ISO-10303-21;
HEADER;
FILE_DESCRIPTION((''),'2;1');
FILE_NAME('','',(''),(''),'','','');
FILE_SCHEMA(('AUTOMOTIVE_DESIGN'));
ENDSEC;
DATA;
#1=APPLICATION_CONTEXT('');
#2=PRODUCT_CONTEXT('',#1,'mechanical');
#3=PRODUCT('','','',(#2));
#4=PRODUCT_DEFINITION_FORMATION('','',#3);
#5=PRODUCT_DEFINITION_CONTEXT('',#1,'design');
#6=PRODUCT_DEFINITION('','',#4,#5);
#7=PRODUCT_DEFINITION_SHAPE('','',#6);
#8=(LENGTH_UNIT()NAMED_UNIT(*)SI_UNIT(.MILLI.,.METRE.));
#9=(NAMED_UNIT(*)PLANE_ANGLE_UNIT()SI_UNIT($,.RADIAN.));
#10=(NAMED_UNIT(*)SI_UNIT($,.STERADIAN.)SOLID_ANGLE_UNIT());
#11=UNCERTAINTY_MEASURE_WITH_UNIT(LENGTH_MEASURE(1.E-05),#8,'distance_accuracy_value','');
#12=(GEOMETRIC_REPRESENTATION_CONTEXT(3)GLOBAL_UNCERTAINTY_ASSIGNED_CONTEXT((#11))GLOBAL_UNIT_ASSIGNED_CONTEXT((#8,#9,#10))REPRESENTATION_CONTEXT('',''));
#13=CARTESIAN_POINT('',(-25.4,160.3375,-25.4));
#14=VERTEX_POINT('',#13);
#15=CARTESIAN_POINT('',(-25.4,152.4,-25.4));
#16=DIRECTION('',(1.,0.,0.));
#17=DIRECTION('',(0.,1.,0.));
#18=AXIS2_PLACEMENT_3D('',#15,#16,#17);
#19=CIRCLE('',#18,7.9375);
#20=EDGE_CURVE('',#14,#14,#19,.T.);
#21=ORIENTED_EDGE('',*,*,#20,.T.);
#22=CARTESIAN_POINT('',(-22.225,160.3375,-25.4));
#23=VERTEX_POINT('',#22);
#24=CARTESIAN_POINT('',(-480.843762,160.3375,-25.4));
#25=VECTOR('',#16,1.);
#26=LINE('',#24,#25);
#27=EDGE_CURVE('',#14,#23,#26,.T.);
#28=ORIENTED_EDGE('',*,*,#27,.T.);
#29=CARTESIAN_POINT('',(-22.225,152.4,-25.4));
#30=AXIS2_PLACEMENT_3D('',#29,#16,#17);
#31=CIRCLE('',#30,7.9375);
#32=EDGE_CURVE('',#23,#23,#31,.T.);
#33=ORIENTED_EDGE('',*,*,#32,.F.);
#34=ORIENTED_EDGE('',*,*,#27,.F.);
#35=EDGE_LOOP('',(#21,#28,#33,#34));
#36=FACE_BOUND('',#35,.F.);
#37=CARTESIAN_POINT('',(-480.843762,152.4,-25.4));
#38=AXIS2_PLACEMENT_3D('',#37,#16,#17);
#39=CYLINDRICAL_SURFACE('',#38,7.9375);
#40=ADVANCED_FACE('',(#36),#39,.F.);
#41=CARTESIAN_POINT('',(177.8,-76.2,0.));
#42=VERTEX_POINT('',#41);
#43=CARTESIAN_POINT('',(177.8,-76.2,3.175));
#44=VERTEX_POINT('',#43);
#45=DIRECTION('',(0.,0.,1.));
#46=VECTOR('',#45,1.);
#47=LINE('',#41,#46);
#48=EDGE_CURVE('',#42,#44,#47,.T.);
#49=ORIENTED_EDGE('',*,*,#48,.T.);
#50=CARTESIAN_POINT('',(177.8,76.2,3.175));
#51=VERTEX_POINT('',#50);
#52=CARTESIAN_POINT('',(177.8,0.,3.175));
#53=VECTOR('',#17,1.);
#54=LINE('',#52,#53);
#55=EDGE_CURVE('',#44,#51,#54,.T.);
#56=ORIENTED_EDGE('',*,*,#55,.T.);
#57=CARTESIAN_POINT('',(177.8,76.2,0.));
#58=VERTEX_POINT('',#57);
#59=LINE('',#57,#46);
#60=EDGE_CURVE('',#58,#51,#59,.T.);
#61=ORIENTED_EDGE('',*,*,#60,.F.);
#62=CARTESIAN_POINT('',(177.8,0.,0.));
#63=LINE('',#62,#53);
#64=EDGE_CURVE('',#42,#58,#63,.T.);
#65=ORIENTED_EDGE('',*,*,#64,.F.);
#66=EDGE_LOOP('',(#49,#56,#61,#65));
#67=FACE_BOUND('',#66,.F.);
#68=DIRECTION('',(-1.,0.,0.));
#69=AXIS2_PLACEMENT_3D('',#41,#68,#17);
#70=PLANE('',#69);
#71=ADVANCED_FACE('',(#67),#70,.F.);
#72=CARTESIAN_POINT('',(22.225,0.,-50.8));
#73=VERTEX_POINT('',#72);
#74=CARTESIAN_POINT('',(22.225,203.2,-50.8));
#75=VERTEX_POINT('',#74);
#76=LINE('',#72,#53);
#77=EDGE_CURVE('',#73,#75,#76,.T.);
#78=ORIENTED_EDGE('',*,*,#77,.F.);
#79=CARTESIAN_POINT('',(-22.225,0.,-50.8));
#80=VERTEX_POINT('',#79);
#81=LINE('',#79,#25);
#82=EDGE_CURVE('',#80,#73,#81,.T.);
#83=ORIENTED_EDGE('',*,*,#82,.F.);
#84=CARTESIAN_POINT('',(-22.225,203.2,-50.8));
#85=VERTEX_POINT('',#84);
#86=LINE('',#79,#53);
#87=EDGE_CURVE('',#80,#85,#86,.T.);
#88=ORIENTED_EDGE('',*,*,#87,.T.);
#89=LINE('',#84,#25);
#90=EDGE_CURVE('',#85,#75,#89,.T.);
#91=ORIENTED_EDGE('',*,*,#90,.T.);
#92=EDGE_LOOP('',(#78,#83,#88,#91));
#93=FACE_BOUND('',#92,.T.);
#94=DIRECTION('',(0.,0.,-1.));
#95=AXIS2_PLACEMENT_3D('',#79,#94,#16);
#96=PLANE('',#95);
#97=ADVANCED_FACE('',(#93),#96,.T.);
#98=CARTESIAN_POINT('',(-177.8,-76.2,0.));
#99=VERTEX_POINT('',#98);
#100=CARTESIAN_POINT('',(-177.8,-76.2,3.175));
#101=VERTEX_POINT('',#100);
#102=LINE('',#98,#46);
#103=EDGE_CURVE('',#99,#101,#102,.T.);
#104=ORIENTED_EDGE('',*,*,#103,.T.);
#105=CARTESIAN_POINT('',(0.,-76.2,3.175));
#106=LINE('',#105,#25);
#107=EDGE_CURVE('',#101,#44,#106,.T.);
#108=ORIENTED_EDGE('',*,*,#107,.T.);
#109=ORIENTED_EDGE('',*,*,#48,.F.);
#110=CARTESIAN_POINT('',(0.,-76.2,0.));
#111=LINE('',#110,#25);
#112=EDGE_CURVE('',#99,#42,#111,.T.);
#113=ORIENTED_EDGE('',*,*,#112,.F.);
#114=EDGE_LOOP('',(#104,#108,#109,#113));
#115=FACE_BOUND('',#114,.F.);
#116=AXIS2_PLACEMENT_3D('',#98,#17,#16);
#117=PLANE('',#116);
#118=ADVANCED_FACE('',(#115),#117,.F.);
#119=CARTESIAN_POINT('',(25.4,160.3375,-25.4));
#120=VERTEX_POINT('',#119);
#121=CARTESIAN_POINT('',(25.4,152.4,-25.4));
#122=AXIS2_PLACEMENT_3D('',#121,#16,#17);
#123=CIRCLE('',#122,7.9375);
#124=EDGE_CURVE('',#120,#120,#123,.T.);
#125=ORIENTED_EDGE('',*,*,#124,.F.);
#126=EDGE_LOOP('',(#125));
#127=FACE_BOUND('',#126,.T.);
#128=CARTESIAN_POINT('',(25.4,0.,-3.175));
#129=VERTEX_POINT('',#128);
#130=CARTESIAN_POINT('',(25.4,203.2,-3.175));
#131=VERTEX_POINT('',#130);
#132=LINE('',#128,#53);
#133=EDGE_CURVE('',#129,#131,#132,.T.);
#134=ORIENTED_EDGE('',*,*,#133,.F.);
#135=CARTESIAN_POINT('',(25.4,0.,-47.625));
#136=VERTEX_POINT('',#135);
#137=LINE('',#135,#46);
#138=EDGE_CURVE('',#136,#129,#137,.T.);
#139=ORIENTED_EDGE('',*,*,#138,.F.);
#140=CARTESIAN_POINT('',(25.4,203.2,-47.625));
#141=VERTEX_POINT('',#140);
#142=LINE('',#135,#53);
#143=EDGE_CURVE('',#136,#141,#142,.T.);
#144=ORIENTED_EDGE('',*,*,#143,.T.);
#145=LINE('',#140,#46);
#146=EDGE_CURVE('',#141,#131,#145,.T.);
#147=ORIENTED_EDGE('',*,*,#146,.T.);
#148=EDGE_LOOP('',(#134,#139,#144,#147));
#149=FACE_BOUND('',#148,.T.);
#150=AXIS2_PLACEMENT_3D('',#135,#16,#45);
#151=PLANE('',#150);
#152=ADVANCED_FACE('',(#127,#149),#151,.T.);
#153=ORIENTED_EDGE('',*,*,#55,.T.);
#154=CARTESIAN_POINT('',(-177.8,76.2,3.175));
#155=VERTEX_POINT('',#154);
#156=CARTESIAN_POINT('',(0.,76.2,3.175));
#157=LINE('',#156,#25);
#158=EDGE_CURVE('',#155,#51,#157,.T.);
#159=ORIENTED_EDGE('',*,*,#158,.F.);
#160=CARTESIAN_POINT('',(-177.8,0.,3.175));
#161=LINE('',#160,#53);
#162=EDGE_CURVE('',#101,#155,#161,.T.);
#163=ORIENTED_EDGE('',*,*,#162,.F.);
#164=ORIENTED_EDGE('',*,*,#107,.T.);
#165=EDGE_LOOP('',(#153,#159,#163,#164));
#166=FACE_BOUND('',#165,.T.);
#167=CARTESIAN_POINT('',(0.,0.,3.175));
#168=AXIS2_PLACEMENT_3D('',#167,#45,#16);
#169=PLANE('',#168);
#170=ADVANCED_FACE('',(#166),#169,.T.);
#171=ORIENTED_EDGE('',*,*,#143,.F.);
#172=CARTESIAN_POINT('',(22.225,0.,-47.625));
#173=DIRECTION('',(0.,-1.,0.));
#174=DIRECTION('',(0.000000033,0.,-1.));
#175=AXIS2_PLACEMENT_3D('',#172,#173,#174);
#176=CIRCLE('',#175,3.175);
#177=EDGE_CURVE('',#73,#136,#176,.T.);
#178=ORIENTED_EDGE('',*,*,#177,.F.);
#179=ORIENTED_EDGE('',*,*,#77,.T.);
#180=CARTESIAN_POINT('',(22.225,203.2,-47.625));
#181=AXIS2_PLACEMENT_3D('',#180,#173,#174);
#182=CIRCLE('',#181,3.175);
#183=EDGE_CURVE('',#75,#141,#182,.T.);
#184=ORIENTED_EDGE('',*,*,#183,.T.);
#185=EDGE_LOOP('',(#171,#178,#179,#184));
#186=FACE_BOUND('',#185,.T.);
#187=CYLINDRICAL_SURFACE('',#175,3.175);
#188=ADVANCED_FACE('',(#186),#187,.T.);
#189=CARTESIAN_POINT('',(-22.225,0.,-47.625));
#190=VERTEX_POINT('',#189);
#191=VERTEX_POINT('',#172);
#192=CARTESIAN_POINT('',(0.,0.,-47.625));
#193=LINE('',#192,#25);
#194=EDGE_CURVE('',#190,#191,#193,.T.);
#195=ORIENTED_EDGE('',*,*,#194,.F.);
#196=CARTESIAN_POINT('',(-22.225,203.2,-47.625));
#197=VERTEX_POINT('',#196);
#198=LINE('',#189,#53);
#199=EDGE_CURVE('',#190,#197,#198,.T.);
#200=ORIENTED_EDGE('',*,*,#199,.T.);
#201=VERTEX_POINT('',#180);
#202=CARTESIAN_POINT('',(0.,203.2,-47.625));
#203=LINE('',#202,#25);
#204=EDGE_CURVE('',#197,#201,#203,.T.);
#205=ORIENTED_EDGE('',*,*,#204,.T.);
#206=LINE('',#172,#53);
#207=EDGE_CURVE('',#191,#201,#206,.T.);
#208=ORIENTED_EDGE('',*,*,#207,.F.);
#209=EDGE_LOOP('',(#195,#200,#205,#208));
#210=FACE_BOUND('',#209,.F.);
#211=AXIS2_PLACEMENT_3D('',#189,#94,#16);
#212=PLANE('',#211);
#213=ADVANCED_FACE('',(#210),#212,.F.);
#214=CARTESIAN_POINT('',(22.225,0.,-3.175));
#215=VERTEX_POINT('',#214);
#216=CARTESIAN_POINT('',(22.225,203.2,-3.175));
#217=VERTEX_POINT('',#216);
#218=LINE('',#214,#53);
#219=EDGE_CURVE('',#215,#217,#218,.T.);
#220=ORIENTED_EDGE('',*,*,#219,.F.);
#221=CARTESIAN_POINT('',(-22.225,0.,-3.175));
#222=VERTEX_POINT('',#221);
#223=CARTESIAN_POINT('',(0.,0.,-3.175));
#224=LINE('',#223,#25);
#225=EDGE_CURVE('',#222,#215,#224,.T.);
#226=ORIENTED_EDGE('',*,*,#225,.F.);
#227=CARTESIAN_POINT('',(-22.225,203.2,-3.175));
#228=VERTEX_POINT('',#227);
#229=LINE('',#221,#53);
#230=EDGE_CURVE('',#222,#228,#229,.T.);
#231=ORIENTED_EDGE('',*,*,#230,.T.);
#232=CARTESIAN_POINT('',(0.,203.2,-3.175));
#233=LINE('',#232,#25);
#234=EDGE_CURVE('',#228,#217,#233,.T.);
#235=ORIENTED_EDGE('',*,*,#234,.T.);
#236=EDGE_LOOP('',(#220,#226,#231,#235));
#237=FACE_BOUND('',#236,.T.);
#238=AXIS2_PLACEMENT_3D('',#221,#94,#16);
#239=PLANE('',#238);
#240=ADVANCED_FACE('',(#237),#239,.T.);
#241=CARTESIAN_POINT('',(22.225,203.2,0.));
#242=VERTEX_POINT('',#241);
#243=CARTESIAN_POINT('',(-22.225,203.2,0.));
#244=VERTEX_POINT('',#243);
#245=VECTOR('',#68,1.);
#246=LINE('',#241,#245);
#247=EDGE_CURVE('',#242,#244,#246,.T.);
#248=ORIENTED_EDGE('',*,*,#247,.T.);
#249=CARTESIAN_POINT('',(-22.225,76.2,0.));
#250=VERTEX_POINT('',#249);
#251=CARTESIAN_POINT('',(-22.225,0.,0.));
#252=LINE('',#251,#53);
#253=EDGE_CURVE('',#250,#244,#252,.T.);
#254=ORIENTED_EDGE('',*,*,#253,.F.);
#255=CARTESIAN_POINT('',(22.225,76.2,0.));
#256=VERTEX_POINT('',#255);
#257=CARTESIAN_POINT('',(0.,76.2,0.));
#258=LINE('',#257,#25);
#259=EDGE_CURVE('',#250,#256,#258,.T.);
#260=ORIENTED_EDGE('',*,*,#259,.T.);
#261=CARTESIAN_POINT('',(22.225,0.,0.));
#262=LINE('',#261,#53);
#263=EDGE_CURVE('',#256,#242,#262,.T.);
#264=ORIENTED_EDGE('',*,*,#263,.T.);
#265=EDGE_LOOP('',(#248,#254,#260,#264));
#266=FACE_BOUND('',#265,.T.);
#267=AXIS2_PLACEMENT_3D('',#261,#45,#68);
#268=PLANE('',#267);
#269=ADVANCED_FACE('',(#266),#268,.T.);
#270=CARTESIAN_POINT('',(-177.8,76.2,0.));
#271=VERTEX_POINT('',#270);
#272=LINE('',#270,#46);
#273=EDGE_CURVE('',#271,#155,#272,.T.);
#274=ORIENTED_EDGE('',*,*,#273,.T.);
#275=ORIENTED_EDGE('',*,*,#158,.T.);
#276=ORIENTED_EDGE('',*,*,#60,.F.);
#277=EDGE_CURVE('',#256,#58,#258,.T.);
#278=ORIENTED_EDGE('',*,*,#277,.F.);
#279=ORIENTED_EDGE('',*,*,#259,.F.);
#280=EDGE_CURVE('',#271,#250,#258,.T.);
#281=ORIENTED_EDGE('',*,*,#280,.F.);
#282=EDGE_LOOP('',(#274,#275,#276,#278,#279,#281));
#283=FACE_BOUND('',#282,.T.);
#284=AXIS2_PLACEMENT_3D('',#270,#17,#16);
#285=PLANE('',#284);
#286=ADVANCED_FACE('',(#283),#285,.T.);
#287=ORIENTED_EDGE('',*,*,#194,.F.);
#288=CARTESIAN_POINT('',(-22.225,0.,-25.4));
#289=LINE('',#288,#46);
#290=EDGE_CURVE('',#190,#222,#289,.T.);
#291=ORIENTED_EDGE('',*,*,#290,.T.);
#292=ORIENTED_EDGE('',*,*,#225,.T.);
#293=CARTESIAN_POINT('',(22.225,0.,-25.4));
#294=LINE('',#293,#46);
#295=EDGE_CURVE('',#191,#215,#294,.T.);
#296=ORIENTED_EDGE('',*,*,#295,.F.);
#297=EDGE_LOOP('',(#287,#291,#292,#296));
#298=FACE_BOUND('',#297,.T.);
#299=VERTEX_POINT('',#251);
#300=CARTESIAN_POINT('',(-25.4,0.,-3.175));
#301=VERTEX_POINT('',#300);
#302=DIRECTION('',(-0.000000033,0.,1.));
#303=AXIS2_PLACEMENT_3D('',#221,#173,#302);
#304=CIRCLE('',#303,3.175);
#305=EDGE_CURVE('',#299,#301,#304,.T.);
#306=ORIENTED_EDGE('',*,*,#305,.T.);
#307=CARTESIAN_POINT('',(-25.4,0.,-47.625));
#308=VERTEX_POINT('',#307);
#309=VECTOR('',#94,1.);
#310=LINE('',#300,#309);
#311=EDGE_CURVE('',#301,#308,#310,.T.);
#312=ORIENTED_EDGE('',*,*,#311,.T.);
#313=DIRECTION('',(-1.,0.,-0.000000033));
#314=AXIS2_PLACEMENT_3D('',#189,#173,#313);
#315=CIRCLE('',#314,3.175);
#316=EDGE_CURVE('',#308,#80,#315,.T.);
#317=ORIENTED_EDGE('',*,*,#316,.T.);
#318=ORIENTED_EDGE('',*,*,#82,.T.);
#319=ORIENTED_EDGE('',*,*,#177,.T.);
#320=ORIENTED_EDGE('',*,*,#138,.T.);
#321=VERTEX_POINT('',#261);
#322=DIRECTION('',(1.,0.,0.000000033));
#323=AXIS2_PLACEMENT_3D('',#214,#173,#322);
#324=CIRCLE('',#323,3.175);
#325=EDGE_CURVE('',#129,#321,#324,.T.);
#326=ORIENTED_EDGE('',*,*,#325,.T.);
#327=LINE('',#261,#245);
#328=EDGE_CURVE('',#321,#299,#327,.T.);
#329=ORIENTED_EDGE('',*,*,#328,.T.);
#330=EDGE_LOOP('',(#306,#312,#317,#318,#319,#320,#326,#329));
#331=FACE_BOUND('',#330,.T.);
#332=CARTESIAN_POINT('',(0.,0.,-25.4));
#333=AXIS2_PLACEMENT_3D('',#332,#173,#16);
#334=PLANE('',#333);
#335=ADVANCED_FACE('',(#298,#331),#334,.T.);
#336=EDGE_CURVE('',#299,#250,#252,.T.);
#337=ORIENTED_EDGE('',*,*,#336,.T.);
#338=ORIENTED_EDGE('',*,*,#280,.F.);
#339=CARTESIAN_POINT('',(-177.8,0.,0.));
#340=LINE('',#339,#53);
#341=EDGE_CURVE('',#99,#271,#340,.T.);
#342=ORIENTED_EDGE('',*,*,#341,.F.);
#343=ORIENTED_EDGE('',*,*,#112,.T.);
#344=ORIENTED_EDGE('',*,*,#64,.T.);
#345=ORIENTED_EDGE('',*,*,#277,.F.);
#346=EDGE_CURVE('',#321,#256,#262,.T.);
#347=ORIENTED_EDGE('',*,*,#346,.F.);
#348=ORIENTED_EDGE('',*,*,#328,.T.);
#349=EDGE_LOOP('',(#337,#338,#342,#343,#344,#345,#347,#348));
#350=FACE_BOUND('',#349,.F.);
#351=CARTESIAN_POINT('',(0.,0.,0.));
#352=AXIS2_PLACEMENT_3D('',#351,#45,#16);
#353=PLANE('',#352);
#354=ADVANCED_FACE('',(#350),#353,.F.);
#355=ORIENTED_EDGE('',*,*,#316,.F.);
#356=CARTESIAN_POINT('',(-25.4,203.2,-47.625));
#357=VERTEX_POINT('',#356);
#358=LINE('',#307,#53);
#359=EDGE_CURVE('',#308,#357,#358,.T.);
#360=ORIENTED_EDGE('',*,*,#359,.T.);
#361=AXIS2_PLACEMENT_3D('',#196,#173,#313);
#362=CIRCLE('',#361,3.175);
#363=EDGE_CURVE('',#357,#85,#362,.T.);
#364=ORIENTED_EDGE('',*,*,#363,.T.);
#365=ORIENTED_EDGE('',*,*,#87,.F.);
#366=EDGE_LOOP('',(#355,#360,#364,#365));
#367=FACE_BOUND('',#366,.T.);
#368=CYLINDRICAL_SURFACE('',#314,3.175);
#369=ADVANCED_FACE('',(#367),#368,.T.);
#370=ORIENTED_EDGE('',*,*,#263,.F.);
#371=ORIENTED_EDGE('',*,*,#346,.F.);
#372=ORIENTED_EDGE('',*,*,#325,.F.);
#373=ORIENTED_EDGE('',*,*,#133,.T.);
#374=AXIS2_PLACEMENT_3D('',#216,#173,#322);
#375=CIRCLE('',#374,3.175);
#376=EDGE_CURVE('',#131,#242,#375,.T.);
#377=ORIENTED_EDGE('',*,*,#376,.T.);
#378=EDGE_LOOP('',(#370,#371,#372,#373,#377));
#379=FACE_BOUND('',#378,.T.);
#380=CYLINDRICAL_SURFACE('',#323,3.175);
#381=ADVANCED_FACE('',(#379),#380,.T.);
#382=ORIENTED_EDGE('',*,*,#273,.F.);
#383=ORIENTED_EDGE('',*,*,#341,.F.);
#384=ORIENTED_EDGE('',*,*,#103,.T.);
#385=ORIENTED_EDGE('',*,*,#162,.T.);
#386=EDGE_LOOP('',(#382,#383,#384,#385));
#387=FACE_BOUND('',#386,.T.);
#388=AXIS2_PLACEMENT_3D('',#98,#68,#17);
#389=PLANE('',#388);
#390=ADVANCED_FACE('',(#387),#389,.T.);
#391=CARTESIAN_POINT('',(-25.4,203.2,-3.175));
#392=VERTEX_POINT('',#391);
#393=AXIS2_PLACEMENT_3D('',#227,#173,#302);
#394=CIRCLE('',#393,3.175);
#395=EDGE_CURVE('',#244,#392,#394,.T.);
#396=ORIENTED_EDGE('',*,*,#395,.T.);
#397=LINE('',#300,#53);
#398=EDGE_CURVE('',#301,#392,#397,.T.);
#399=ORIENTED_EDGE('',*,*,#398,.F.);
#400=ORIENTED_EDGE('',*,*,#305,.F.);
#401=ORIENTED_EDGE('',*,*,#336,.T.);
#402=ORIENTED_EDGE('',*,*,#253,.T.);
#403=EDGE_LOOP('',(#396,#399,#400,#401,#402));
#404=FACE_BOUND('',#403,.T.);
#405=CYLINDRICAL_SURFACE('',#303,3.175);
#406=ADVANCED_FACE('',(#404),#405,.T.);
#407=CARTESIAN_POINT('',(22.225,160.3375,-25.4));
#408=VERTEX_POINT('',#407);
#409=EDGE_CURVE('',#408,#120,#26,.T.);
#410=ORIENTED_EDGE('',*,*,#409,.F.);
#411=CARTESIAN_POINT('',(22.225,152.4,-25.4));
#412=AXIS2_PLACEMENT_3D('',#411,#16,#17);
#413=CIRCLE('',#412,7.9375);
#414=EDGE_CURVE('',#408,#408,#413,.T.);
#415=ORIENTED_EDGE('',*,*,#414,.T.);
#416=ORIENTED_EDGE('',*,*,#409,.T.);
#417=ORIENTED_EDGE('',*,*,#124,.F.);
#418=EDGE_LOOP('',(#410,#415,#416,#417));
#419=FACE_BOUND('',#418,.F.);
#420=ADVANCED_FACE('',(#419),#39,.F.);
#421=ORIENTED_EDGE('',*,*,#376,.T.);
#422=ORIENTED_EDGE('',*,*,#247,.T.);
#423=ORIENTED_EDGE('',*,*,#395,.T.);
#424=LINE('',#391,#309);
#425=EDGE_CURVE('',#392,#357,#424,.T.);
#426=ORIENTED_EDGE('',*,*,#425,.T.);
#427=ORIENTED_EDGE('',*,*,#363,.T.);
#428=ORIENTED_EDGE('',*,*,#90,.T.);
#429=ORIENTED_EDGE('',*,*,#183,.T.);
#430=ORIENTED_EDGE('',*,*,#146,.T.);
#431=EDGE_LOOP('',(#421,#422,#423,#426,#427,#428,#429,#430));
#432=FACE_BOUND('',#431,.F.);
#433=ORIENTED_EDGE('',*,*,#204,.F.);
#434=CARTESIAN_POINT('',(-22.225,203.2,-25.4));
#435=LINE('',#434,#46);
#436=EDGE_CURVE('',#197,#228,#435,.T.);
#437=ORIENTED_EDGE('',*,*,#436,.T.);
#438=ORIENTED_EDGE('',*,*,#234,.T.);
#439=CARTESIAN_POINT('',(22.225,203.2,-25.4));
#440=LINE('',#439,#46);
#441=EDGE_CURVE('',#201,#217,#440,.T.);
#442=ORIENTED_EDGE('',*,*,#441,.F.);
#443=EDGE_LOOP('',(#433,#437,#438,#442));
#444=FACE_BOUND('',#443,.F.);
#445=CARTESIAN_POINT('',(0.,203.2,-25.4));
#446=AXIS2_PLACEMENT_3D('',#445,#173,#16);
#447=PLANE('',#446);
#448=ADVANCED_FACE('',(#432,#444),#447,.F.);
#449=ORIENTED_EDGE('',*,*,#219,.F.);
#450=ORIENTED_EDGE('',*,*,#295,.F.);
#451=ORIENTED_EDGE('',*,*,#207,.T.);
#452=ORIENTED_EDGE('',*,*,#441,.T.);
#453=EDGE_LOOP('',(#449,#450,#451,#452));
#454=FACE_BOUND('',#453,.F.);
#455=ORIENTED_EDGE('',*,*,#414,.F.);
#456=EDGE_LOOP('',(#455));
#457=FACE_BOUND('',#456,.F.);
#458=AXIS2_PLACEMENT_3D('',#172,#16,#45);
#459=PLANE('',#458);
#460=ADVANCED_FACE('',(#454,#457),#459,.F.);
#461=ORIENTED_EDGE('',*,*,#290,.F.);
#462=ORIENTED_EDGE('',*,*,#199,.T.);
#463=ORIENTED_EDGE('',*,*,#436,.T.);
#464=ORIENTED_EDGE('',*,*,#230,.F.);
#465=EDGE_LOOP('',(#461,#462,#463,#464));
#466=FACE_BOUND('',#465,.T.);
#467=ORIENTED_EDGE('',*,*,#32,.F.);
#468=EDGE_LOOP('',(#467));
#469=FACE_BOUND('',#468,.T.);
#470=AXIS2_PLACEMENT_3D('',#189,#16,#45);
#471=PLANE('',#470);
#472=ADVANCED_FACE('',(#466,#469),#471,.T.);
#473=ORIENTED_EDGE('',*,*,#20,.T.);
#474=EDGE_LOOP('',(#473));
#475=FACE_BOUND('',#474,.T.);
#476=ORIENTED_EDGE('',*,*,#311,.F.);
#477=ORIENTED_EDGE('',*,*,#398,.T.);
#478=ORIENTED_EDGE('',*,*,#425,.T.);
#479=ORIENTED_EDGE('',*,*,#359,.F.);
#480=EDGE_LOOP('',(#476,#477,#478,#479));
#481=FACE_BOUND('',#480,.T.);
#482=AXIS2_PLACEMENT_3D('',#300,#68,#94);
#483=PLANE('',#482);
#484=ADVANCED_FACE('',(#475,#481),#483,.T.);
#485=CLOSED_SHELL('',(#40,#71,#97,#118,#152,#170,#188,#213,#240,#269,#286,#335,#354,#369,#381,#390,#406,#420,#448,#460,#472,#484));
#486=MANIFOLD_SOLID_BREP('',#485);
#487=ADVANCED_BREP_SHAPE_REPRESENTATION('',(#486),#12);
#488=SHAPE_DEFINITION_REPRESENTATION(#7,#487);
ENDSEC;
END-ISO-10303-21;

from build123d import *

# Parameters (mm, degrees)
F0_W     = 355.6
F0_H     = 152.4
F1_DEPTH = 3.175
F2_W     = 44.45
F2_H     = 44.45
F3_DEPTH = 203.2
F5_D     = 15.875


with BuildPart() as f1:
    # F0 (on Top) → F1 (new body)
    with BuildSketch(Plane.XY):
        Rectangle(F0_W, F0_H)
    extrude(amount=F1_DEPTH)

    # F2 (on Front) → F3 (join)
    with BuildSketch(Plane.XZ):
        with BuildLine():
            Line((22.225, 0), (-22.225, 0))
            ThreePointArc((-22.225, 0), (-24.470064, -0.929936), (-25.4, -3.175))
            Line((-25.4, -3.175), (-25.4, -47.625))
            ThreePointArc((-25.4, -47.625), (-24.470064, -49.870064), (-22.225, -50.8))
            Line((-22.225, -50.8), (22.225, -50.8))
            ThreePointArc((22.225, -50.8), (24.470064, -49.870064), (25.4, -47.625))
            Line((25.4, -47.625), (25.4, -3.175))
            ThreePointArc((25.4, -3.175), (24.470064, -0.929936), (22.225, 0))
        make_face()
        with Locations((0, -25.4)):
            Rectangle(F2_W, F2_H, mode=Mode.SUBTRACT)
    extrude(amount=-F3_DEPTH)

    # F5 (through all)
    with Locations(Plane(origin=(-25.4, 0, 0), x_dir=(0, -1, 0), z_dir=(-1, 0, 0))):
        with Locations((-152.4, -25.4)):
            Hole(F5_D / 2)


solid = f1.part
